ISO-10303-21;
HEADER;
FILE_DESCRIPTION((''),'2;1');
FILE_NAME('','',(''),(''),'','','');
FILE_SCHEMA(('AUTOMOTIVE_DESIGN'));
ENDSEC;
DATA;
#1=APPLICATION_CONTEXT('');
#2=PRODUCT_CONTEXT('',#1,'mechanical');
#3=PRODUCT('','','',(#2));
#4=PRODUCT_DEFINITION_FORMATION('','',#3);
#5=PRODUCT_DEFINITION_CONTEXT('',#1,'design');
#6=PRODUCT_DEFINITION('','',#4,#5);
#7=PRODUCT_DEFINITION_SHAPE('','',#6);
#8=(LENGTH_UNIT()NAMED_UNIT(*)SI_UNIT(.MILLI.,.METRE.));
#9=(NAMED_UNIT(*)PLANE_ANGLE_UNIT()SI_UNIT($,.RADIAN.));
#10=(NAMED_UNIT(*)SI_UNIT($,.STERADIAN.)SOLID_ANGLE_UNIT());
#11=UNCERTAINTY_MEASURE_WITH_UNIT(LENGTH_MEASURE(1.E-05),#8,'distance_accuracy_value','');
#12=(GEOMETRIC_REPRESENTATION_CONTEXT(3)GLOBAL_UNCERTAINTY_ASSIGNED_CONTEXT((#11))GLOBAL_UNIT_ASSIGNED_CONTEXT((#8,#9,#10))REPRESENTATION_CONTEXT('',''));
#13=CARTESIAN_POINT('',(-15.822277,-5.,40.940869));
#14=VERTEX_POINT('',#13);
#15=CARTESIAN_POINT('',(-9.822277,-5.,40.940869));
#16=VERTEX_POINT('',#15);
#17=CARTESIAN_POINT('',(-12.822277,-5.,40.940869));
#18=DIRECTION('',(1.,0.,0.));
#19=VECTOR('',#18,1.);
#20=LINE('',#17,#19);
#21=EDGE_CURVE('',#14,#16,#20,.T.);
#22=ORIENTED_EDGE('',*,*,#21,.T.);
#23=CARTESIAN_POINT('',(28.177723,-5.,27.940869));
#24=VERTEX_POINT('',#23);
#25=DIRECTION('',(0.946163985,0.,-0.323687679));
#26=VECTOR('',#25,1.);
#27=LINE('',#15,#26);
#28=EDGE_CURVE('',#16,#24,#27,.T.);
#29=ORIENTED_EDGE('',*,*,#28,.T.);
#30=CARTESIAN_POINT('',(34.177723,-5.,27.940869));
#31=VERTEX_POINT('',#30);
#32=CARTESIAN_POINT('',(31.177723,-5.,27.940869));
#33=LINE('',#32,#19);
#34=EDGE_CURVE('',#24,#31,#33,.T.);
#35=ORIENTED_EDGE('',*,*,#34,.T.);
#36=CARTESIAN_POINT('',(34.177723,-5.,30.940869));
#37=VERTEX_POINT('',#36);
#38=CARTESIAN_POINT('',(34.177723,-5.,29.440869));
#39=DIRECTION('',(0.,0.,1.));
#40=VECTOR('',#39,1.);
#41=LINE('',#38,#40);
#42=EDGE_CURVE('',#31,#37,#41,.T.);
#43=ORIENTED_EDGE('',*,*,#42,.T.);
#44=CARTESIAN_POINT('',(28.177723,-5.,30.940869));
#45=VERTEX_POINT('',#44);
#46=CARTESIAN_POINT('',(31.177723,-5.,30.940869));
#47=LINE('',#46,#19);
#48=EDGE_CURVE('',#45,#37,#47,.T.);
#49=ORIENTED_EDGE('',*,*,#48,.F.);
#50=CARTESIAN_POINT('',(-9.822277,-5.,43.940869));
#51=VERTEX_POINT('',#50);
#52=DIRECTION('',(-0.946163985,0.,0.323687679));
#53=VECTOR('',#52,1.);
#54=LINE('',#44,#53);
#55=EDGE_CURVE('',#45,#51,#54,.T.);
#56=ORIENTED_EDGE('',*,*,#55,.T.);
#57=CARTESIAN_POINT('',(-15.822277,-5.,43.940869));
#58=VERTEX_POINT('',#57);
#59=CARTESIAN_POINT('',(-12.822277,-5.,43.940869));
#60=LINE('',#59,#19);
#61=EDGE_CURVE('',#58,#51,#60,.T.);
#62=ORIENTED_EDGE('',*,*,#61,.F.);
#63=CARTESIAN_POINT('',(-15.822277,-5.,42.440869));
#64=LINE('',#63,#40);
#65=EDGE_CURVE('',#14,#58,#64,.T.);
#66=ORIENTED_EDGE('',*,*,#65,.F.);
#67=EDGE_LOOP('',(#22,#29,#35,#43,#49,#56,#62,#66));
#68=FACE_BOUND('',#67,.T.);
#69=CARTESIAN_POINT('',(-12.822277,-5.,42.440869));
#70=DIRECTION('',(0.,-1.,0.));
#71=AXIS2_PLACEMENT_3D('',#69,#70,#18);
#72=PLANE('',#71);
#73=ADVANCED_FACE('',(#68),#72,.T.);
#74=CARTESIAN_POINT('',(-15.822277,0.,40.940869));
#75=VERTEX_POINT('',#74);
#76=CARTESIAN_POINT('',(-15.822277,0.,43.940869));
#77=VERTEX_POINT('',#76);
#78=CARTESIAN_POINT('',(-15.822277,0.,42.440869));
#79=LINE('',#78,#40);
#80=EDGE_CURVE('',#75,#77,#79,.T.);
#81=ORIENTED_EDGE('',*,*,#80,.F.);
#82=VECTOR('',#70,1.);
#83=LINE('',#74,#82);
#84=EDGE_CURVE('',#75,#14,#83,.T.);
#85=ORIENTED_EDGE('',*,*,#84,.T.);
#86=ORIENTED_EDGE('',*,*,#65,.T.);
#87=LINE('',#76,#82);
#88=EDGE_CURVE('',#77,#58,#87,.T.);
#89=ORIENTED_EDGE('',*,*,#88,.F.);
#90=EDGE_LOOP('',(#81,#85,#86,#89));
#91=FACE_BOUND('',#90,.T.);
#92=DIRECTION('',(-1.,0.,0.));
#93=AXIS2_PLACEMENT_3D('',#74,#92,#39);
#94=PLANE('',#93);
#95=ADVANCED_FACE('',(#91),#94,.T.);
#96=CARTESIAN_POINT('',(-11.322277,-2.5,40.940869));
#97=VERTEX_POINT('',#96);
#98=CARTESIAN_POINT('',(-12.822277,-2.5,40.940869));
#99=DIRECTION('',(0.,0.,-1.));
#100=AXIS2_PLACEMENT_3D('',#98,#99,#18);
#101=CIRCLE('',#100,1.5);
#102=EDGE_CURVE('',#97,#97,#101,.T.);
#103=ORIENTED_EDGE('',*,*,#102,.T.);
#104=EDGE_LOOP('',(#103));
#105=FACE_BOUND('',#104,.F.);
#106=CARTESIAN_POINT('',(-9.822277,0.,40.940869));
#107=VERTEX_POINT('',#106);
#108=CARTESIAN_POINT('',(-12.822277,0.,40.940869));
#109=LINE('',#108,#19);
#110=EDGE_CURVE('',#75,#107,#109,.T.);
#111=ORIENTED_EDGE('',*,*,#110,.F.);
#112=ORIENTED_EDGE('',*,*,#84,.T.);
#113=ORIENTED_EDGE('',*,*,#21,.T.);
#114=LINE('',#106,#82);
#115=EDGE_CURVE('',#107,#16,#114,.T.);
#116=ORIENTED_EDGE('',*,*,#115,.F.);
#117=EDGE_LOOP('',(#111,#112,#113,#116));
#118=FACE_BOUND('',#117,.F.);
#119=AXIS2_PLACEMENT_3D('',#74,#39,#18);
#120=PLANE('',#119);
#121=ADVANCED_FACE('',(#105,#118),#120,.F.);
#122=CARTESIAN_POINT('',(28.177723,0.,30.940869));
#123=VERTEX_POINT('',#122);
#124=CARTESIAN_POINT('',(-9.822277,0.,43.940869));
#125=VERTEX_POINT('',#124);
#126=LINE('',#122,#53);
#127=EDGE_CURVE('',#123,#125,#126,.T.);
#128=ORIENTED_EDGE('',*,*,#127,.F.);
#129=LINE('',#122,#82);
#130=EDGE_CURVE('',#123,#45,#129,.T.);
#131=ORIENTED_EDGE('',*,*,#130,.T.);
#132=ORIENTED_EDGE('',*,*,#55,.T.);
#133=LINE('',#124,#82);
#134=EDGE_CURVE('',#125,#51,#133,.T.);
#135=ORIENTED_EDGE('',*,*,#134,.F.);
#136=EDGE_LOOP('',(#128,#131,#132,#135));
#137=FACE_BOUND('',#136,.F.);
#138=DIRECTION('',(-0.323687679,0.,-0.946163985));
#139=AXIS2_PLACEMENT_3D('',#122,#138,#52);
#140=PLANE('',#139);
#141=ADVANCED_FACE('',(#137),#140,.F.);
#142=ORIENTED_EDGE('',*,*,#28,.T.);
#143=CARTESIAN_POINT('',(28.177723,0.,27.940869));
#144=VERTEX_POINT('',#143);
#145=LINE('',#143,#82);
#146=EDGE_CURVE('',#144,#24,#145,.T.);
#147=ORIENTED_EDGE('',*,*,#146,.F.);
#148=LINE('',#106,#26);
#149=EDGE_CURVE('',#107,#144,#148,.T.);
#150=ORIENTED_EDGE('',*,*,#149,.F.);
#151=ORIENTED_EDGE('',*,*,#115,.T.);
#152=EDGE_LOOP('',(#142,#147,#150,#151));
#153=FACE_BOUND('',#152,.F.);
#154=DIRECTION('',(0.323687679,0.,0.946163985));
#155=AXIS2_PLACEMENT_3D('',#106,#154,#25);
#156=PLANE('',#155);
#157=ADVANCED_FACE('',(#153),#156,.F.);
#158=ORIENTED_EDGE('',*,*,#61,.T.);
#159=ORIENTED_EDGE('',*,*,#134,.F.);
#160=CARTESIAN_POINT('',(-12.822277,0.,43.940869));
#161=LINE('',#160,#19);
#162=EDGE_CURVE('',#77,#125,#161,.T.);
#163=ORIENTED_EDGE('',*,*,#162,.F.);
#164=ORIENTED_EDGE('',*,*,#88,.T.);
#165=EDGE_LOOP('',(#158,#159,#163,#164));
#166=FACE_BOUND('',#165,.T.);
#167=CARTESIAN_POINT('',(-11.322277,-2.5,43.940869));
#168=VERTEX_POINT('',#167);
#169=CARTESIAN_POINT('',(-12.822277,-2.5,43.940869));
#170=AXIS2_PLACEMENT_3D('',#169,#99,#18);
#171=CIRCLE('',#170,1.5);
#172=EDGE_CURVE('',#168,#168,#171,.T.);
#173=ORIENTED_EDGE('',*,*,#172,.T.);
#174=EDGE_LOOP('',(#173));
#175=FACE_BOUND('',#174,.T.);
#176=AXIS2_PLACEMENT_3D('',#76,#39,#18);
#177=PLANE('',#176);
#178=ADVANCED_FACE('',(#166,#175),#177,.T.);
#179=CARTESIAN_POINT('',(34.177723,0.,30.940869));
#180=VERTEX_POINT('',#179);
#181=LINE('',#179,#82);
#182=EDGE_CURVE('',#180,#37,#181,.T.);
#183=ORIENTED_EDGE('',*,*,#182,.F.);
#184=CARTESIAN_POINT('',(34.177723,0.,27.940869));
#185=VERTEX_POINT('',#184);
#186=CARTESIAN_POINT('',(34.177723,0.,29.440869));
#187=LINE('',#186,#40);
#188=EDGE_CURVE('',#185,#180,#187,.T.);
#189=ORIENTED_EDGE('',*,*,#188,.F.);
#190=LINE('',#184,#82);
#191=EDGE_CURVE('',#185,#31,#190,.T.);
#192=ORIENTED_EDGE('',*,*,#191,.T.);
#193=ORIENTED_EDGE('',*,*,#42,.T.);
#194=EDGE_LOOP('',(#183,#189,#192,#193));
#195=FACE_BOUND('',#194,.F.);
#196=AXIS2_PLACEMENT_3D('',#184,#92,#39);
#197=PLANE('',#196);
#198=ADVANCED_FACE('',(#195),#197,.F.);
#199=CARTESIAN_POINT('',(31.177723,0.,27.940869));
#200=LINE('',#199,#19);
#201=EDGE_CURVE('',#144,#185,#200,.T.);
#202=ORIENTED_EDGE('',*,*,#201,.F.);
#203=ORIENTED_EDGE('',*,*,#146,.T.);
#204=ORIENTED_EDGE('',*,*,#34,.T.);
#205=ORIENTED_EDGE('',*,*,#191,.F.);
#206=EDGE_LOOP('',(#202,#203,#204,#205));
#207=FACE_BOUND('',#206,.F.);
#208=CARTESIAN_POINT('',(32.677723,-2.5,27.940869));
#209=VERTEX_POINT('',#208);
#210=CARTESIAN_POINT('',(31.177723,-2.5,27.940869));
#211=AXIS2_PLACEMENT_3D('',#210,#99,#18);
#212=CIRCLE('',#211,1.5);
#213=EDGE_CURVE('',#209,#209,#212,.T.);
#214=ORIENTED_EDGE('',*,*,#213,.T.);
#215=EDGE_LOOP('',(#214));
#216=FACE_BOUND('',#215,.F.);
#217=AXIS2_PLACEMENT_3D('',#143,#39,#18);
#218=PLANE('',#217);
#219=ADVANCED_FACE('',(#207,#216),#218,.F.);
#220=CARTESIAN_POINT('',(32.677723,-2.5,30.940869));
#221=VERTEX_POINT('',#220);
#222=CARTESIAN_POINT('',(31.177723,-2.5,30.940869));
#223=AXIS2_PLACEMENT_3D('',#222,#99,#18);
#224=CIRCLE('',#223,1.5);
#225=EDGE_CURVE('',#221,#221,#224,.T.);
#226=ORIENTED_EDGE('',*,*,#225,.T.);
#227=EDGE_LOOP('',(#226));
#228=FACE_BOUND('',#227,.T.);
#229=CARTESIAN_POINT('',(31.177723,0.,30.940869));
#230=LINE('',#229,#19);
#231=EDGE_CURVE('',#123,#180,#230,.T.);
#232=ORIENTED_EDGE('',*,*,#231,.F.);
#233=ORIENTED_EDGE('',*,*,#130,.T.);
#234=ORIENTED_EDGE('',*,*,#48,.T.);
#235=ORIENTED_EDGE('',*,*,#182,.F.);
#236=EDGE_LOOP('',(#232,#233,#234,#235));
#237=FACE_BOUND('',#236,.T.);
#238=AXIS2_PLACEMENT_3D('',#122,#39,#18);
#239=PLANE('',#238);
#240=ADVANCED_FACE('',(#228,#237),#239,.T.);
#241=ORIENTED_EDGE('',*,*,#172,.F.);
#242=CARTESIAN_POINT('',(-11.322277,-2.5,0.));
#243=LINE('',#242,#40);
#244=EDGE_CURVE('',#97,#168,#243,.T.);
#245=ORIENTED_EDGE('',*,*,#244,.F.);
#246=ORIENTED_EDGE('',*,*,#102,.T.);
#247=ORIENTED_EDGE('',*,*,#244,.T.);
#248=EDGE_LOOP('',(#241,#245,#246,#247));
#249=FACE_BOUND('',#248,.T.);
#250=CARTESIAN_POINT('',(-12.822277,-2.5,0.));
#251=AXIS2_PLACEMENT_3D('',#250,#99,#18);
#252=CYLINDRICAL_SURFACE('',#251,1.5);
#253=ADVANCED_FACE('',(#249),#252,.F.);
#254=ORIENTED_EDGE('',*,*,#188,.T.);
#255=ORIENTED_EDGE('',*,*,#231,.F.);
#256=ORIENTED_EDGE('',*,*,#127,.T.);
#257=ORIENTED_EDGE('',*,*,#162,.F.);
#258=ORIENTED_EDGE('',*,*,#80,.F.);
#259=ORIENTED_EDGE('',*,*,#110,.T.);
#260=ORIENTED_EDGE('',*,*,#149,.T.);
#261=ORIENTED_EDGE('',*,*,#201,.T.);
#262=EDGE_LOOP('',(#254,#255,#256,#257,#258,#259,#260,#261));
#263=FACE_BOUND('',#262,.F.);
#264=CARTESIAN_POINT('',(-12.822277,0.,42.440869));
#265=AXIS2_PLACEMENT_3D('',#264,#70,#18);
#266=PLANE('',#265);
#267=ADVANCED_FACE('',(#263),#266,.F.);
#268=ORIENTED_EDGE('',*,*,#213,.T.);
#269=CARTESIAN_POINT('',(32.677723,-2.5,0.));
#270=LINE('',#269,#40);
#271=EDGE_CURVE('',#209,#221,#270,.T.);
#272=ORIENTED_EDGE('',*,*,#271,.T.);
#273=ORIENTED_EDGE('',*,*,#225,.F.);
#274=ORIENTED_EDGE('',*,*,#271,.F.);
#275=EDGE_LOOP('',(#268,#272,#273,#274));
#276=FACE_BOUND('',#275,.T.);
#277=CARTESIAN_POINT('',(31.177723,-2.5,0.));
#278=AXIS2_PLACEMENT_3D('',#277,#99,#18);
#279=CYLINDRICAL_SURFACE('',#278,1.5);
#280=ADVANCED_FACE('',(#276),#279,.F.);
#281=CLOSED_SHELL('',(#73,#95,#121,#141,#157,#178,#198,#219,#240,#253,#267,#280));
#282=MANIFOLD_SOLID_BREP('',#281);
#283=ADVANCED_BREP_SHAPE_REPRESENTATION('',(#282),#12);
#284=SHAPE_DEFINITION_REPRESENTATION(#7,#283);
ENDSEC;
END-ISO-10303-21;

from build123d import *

# Parameters (mm, degrees)
F0_W     = 6
F0_H     = 3
F1_DEPTH = 5
F2_R     = 1.5
F3_DEPTH = 100
F4_DEPTH = 100


with BuildPart() as f1:
    # F0 (on Front) → F1 (new body)
    with BuildSketch(Plane.XZ):
        with Locations((-12.822277, 42.440869)):
            Rectangle(F0_W, F0_H)
        Polygon((28.177723, 30.940869), (-9.822277, 43.940869), (-9.822277, 40.940869), (28.177723, 27.940869), align=None)
        with Locations((31.177723, 29.440869)):
            Rectangle(F0_W, F0_H)
    extrude(amount=F1_DEPTH)

    # F2 (on Top) → F3 (cut)
    with BuildSketch(Plane.XY):
        with Locations((-12.822277, -2.5)):
            Circle(F2_R)
    extrude(amount=F3_DEPTH, mode=Mode.SUBTRACT)

    # F2 (on Top) → F4 (cut)
    with BuildSketch(Plane.XY):
        with Locations((-12.822277, -2.5)):
            Circle(F2_R)
        with Locations((31.177723, -2.5)):
            Circle(F2_R)
    extrude(amount=F4_DEPTH, mode=Mode.SUBTRACT)


solid = f1.part
